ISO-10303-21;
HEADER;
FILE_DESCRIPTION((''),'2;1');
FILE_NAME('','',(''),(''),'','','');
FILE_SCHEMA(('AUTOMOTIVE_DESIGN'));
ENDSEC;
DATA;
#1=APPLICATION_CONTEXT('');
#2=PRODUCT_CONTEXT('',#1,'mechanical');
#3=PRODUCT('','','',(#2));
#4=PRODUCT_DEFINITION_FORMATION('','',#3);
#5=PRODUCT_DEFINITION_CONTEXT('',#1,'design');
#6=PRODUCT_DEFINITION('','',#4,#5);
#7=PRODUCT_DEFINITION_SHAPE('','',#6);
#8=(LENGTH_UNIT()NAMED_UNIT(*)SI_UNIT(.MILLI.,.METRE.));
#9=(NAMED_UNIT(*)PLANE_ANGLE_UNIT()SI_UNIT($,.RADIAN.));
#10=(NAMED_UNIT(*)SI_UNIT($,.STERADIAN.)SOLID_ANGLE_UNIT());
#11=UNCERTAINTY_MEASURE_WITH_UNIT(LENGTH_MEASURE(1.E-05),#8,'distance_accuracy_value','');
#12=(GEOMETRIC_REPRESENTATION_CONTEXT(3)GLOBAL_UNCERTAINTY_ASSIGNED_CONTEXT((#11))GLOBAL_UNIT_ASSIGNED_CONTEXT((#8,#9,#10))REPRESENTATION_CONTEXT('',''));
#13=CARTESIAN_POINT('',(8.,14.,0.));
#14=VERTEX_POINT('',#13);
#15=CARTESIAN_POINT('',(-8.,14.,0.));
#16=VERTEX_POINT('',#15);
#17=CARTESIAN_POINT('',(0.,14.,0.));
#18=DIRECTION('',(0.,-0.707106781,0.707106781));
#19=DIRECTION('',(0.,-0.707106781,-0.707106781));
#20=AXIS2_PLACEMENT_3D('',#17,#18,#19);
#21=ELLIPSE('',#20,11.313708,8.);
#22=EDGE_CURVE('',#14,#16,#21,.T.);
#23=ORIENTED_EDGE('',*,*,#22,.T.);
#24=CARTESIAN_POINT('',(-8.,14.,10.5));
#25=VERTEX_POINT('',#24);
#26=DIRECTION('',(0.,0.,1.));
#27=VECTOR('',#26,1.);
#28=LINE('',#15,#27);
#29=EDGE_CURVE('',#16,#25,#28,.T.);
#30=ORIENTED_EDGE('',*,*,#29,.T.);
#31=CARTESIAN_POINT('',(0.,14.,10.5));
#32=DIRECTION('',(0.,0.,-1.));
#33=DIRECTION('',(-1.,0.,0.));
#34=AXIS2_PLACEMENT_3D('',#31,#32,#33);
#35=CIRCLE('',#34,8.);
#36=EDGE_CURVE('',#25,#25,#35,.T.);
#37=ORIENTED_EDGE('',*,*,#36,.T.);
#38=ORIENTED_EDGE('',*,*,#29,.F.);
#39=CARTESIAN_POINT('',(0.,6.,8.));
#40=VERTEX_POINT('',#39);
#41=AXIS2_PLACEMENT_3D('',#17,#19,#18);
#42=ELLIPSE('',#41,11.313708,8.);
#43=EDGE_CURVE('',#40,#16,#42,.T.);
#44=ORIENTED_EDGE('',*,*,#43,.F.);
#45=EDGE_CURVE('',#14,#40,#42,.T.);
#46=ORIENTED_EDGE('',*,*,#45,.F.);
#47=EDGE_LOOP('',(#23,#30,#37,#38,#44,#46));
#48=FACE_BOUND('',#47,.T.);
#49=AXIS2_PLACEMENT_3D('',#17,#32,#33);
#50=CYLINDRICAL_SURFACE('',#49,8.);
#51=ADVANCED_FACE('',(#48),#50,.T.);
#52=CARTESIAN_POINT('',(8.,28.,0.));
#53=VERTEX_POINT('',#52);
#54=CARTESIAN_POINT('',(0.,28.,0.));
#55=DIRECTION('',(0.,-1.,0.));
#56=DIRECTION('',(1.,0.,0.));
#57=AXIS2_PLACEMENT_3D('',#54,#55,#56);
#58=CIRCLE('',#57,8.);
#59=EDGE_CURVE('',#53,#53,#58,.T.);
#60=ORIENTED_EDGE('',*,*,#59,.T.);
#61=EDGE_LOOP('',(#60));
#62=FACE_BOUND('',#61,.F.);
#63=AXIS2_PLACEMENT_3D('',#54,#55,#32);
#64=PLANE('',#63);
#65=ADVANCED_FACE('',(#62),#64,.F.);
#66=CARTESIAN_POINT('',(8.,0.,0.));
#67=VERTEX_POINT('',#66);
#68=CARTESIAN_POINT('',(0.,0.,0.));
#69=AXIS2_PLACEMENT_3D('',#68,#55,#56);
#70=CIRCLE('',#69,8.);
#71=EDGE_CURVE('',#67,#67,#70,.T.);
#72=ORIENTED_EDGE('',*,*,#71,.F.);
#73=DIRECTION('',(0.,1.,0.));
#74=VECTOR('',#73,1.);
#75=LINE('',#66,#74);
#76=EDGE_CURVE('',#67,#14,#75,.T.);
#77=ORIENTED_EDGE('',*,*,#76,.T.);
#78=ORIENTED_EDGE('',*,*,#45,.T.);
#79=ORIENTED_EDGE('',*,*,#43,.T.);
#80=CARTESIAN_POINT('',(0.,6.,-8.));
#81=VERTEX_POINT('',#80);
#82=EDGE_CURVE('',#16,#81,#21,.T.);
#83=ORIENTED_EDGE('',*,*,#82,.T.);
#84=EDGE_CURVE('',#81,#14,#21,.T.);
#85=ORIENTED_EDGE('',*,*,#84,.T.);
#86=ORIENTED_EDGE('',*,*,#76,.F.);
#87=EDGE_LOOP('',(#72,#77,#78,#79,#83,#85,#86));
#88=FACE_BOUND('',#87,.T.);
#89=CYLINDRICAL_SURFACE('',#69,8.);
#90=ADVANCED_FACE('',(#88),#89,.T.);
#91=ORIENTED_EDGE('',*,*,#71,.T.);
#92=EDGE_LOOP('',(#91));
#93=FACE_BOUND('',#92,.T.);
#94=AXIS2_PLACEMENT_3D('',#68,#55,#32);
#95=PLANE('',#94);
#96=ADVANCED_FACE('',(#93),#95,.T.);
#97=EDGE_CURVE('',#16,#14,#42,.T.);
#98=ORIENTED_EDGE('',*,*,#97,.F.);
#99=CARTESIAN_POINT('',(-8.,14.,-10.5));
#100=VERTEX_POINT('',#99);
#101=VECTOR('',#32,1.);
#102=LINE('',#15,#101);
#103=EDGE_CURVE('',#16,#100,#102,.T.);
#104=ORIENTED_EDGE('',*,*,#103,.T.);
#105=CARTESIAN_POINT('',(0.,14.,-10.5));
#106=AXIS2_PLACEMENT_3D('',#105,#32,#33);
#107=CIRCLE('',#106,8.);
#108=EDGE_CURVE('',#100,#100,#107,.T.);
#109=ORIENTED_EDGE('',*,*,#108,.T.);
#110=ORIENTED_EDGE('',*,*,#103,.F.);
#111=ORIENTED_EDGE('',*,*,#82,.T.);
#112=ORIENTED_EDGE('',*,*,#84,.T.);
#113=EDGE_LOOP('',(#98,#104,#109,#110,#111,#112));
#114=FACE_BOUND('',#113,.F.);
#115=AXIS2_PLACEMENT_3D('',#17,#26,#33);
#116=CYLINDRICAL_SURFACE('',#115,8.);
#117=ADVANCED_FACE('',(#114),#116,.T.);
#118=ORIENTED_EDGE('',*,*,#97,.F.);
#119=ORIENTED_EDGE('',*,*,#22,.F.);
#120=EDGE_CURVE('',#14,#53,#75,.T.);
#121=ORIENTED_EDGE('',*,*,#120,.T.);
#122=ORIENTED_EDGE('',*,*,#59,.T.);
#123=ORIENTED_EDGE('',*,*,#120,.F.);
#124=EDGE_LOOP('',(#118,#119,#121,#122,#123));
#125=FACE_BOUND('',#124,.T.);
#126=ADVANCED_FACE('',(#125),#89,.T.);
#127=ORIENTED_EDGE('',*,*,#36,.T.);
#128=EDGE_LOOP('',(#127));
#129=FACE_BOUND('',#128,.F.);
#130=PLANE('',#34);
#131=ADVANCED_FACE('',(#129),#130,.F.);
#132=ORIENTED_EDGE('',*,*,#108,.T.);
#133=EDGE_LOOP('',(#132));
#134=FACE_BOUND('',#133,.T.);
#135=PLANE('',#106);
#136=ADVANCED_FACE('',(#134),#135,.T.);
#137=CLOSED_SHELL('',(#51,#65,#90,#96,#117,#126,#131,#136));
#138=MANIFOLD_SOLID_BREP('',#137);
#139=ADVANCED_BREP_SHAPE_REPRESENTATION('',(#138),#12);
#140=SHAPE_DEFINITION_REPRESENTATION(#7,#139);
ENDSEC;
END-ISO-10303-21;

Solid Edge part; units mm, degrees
sketch "Sketch1" plane through (0, 0, 0) normal (0, -1, 0) x (1, 0, 0)
  circle A0 centre (0, 0) radius 8
extrude "Protrusion1" add sketch "Sketch1" against normal blind 28
sketch "Sketch2" plane through (0, 0, 0) normal (0, 0, -1) x (-1, 0, 0)
  circle A0 centre (0, 14) radius 8
extrude "ExtrudedProtrusion_2" add sketch "Sketch2" along normal blind 10.5
sketch "Sketch3" plane through (0, 0, 0) normal (0, 0, -1) x (-1, 0, 0)
  circle A0 centre (0, 14) radius 8
extrude "ExtrudedProtrusion_3" add sketch "Sketch3" against normal blind 10.5
